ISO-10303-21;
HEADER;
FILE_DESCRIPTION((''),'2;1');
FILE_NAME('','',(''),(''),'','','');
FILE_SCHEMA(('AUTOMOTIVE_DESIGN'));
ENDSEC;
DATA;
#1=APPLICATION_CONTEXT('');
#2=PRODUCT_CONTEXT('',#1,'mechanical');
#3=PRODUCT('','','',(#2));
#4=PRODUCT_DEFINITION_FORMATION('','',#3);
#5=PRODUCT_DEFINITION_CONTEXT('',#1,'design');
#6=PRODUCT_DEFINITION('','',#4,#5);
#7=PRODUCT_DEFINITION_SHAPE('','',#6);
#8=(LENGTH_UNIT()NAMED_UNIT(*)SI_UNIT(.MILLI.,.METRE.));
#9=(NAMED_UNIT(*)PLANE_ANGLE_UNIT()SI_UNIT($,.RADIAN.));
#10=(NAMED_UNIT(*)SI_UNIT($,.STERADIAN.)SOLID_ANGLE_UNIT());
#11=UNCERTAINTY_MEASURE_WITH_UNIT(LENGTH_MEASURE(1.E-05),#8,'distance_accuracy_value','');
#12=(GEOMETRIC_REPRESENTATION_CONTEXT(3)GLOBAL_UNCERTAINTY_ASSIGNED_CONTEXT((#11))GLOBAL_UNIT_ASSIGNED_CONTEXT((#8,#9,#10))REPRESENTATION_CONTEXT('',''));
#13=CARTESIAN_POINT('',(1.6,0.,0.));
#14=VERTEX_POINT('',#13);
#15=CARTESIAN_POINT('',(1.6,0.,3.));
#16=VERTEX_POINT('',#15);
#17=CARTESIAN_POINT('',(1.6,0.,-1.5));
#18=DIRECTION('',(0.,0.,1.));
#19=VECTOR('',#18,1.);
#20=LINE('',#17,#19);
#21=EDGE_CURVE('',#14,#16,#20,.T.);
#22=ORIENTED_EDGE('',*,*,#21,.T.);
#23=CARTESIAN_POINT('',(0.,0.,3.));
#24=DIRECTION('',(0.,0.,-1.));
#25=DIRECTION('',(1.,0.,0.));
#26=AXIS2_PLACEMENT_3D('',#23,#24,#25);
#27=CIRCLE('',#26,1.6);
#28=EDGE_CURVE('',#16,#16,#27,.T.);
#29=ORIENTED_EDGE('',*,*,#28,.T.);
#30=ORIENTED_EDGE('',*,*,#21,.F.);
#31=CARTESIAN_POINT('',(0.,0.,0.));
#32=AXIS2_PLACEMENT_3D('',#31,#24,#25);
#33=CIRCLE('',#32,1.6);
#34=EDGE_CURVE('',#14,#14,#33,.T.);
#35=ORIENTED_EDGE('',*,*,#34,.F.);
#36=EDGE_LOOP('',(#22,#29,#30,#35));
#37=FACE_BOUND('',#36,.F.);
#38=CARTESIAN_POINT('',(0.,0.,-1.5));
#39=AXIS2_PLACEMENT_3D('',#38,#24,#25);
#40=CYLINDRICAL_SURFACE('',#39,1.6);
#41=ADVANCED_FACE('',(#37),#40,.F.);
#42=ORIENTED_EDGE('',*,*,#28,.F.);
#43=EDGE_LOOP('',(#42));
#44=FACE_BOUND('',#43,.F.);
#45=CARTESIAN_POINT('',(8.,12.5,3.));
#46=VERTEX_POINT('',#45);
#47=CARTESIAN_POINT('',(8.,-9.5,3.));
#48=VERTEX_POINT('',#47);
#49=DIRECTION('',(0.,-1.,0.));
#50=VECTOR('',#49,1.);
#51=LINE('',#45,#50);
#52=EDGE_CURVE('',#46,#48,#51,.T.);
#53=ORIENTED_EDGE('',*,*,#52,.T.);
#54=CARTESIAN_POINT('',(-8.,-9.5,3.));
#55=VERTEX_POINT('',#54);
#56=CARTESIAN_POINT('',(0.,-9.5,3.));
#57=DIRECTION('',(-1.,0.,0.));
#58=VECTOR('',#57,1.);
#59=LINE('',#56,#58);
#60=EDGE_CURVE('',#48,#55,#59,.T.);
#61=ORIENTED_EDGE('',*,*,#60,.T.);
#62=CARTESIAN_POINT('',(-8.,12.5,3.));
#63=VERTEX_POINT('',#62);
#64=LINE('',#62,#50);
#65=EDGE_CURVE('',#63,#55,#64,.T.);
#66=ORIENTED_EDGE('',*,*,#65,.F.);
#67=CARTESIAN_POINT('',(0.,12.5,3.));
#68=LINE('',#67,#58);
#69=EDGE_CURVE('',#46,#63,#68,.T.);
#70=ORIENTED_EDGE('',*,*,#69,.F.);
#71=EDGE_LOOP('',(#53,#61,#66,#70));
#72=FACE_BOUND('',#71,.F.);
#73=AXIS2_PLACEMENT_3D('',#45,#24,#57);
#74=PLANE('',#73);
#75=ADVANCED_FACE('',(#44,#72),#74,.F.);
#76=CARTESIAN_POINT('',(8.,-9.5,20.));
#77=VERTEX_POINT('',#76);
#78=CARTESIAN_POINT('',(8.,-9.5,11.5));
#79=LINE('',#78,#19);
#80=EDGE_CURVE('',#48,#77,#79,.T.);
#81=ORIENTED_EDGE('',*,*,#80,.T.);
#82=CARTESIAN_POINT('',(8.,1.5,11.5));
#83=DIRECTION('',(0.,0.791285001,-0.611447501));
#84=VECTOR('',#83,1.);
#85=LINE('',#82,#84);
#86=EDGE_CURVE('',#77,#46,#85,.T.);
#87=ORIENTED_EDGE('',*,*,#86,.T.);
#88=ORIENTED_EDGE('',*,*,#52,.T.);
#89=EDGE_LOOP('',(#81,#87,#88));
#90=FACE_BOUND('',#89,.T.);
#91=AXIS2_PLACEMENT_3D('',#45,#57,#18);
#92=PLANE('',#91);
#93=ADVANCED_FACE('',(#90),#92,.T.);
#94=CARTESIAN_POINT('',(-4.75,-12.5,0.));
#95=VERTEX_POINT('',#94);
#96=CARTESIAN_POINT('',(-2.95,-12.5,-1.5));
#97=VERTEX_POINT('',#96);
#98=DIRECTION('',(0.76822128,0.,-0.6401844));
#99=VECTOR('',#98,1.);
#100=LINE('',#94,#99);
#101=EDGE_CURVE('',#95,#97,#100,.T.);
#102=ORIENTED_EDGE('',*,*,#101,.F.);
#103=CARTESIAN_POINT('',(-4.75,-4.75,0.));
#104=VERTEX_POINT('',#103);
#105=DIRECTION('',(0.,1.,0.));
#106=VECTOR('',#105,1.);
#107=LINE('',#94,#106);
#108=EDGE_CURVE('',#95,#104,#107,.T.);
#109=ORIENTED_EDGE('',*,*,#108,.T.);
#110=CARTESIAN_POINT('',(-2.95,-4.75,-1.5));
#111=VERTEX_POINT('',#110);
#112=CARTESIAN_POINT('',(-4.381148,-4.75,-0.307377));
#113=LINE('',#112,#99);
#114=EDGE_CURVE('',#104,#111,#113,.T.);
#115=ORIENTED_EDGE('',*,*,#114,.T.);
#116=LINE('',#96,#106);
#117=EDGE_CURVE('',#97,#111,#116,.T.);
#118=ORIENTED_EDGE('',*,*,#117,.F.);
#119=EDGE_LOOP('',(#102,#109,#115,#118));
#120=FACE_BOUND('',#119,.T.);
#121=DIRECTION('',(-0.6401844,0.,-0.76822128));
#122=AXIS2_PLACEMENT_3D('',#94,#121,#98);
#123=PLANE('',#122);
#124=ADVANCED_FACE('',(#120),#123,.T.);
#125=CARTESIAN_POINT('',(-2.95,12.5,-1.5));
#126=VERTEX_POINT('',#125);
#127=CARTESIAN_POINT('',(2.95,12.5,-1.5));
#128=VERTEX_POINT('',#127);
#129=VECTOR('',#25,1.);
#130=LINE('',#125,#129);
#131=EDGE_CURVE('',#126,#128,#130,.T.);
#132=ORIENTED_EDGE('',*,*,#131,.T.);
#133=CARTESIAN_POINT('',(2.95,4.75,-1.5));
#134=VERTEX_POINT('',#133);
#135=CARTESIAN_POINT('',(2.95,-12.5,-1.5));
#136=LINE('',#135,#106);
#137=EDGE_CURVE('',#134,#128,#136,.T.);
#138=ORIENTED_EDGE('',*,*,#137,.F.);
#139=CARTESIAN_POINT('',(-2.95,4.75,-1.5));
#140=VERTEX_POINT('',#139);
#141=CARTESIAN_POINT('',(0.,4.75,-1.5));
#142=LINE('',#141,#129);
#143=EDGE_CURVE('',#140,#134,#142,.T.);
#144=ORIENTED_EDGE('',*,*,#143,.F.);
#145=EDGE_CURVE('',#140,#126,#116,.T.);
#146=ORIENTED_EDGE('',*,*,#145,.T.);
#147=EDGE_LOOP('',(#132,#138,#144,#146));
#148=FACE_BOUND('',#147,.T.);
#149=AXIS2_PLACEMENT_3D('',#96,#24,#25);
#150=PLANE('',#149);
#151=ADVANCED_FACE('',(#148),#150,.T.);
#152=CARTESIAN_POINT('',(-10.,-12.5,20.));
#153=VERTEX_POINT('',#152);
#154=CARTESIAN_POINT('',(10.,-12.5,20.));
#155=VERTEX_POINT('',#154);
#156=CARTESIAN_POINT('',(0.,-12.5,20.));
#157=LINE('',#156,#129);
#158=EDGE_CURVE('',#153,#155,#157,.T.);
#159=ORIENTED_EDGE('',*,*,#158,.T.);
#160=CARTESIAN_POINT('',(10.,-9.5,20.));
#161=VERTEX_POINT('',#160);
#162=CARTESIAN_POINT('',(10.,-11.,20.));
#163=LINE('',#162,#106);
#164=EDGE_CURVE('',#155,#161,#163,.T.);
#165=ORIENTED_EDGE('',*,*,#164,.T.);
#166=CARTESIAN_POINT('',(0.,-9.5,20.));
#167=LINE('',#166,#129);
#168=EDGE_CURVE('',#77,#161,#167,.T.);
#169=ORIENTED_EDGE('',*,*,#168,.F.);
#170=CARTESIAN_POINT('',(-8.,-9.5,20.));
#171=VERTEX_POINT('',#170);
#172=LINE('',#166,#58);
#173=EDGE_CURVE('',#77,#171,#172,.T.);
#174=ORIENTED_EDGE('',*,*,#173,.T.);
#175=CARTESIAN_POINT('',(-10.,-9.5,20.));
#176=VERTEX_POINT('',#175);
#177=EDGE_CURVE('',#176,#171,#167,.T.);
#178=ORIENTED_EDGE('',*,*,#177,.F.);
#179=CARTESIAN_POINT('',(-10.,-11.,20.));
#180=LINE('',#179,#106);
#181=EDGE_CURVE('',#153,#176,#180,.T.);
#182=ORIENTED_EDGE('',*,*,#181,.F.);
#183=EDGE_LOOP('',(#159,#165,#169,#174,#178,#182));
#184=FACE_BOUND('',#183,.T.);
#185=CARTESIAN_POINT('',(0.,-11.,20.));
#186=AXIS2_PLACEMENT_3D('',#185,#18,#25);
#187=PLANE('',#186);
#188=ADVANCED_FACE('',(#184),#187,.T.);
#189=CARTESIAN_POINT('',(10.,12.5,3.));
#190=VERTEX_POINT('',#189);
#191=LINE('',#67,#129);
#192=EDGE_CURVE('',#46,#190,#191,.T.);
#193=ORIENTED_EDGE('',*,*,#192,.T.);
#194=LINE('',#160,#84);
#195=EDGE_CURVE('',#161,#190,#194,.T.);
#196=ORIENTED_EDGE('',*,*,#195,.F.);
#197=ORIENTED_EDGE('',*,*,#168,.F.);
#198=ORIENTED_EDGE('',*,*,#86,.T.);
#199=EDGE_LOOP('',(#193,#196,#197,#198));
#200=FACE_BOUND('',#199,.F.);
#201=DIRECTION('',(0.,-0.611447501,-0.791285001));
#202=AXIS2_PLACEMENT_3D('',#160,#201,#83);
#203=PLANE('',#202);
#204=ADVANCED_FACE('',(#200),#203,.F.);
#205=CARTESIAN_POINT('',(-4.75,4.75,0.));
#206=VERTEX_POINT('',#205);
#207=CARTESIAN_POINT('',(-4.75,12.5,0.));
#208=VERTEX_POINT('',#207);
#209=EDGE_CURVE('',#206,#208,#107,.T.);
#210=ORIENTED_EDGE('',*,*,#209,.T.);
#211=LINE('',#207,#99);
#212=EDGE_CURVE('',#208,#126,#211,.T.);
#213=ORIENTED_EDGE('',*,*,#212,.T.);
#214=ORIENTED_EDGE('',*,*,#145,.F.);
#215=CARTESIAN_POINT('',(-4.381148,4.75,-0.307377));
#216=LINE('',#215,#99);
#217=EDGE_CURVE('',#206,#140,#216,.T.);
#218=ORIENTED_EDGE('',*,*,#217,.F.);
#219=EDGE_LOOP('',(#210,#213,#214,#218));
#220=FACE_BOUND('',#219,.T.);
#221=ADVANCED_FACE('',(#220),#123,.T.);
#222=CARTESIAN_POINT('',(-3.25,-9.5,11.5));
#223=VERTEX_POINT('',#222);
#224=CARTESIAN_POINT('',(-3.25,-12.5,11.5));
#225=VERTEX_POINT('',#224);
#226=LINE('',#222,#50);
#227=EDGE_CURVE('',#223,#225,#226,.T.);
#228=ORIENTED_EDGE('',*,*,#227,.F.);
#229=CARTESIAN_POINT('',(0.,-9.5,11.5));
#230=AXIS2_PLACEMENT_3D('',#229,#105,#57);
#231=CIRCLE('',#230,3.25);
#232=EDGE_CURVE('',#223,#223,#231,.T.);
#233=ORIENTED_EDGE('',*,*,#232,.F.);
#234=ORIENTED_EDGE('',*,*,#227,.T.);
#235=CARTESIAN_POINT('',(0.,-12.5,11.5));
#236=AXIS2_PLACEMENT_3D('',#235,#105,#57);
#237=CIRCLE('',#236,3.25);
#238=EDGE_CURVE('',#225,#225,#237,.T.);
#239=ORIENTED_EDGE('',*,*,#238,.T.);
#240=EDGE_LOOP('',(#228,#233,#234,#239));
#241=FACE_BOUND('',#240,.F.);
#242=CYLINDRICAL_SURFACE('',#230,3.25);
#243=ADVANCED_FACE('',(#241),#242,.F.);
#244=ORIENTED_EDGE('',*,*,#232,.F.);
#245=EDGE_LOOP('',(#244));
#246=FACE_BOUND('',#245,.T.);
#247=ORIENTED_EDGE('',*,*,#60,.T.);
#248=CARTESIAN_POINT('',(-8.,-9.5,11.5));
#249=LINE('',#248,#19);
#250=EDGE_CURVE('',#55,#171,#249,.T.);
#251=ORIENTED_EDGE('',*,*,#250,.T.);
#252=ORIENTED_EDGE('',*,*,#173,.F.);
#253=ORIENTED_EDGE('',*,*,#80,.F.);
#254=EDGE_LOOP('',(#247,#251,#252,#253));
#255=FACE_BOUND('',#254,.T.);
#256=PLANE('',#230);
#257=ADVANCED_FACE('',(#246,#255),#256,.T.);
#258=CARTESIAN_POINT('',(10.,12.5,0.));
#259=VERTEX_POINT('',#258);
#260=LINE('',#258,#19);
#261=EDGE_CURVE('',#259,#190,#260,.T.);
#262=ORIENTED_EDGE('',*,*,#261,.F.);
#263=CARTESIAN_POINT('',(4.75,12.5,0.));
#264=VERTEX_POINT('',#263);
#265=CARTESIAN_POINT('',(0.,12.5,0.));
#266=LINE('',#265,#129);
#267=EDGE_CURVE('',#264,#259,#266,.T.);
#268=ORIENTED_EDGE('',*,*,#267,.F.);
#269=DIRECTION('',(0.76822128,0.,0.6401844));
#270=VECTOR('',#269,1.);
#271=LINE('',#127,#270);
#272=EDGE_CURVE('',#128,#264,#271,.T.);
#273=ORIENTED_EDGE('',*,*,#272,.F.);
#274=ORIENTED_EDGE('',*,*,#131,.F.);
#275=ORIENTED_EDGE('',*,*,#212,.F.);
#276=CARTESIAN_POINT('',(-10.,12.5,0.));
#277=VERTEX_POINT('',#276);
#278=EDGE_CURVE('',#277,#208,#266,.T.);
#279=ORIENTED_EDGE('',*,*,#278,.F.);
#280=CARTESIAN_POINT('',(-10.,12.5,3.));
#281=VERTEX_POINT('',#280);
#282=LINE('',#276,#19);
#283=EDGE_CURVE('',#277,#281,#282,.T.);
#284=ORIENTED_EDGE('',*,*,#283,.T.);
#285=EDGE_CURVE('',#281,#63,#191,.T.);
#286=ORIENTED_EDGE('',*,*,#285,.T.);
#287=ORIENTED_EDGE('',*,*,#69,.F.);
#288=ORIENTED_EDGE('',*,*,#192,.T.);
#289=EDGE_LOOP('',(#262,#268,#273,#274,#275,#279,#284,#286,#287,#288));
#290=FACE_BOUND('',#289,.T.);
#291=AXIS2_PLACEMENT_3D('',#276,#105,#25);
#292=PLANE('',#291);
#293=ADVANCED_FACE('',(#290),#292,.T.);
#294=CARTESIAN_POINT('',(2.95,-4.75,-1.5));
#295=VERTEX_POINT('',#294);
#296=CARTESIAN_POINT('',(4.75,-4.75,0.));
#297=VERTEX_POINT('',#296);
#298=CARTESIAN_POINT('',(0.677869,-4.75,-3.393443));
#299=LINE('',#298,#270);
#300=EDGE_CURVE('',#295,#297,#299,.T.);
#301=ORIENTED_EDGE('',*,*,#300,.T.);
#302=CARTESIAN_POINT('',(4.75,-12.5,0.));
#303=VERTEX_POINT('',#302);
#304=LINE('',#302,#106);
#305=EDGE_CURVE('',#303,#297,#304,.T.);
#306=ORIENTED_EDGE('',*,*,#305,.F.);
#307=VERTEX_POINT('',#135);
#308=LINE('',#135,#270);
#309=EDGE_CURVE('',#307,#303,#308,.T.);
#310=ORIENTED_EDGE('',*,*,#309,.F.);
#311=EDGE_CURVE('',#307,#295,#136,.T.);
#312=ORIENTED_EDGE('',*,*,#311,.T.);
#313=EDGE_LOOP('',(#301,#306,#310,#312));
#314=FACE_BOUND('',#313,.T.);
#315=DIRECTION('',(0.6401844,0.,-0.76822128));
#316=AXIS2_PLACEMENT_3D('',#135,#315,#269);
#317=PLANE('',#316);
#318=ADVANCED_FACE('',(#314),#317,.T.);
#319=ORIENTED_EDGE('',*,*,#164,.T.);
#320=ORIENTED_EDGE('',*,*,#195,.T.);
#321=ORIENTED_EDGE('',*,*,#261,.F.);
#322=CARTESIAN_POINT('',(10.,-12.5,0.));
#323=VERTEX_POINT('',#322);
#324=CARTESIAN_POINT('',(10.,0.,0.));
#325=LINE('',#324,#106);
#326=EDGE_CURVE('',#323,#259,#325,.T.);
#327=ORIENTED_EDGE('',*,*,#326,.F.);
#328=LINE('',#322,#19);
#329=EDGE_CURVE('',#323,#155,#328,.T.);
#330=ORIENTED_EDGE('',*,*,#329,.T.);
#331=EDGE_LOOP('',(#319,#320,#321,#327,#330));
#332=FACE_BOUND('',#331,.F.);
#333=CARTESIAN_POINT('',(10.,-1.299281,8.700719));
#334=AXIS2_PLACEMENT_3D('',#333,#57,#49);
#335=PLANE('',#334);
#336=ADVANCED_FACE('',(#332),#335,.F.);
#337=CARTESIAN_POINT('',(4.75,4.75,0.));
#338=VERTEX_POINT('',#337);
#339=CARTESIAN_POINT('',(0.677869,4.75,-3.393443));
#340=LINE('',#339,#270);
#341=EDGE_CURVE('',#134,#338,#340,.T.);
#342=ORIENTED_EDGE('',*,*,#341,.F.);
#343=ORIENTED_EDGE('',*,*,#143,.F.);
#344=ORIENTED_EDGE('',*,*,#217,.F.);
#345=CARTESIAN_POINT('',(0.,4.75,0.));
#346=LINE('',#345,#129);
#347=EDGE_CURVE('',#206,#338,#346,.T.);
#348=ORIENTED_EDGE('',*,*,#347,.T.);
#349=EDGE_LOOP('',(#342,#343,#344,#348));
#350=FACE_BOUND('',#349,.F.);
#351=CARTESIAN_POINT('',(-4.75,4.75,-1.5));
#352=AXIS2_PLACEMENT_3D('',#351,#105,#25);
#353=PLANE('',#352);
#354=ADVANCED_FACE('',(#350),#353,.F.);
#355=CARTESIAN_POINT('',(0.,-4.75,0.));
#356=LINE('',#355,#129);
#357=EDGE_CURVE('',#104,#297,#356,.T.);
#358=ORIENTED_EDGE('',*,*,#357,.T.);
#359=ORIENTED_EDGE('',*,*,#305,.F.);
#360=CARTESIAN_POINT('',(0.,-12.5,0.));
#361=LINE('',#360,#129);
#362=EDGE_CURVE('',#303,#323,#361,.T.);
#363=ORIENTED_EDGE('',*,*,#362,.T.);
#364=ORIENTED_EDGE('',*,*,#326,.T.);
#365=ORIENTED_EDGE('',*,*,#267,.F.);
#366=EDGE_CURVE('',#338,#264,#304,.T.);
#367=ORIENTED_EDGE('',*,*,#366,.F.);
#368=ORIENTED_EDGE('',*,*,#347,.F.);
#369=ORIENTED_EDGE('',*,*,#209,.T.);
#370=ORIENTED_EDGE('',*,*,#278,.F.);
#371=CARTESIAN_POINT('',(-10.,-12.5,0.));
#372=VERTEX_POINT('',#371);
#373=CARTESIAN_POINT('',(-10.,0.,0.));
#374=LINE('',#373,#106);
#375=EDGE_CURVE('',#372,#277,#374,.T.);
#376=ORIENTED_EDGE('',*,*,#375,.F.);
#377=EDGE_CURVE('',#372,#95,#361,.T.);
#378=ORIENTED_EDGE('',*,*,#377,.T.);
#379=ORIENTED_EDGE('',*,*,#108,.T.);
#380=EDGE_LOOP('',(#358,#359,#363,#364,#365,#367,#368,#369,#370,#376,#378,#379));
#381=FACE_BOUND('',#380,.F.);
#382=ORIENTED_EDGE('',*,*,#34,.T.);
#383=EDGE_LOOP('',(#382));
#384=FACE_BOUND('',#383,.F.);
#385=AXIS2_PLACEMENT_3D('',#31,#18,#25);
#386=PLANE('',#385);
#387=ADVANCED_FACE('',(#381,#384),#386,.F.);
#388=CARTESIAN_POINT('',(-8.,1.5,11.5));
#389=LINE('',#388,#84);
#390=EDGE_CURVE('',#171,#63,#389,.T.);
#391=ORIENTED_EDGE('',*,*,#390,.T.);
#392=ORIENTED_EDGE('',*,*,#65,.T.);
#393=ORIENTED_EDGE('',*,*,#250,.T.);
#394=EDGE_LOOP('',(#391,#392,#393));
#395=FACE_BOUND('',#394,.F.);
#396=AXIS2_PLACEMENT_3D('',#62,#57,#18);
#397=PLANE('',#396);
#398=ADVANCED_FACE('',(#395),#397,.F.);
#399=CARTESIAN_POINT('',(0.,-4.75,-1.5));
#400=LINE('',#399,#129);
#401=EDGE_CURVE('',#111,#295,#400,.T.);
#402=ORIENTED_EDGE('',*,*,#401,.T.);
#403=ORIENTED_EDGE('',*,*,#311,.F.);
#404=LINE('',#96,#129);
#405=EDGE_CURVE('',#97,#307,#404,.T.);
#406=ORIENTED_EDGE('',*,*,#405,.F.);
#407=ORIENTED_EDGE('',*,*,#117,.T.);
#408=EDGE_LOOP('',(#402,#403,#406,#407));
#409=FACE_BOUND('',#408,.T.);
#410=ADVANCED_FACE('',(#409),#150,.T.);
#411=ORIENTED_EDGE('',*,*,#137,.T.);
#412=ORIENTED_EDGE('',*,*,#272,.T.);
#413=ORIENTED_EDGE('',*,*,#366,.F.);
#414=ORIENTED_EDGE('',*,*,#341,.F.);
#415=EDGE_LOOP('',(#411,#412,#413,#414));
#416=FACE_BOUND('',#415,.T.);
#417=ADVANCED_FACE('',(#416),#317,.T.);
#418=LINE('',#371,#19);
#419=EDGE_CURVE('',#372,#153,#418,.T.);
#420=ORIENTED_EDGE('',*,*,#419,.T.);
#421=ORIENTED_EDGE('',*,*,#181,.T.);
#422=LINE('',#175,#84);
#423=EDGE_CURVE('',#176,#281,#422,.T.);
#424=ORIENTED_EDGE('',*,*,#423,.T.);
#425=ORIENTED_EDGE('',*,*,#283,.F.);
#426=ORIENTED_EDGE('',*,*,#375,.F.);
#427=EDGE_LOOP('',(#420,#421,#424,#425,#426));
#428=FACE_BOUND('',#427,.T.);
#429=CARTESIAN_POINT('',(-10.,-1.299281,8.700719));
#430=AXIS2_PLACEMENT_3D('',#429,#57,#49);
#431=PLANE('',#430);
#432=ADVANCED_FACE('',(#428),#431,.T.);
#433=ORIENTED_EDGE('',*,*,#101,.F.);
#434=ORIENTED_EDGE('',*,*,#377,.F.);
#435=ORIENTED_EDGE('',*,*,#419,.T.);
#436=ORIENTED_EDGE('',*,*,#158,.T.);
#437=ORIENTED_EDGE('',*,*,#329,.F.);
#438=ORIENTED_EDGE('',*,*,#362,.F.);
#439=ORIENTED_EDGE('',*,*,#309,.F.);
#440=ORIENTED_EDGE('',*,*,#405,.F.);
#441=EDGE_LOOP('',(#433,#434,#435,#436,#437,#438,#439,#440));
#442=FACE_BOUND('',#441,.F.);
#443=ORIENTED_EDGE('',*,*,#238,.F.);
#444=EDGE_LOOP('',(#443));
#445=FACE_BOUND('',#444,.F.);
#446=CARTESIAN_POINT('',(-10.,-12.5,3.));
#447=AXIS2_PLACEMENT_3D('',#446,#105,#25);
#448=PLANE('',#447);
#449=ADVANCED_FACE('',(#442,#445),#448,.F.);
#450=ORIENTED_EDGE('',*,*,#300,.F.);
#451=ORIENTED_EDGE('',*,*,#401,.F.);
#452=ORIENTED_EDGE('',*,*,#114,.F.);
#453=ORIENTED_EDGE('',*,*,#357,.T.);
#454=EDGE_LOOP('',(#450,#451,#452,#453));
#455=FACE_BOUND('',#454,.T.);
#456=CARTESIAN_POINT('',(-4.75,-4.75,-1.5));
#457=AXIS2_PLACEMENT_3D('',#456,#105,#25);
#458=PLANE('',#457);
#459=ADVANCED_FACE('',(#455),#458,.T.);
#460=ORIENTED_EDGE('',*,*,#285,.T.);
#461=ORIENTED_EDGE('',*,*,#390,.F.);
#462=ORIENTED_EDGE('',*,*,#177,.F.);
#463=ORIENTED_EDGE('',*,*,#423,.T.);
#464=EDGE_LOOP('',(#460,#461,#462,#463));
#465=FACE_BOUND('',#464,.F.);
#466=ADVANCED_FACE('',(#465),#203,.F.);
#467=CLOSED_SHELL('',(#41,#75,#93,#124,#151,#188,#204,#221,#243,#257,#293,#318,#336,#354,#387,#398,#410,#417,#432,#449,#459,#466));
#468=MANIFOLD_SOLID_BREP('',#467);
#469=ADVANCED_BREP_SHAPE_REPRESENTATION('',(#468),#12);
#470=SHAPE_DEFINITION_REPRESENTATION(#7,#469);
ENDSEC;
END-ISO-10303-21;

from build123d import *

# Parameters (mm, degrees)
SKETCH_W        = 20
SKETCH_H        = 25
PAD_DEPTH       = 3
SKETCH001_W     = 20
SKETCH001_H     = 3
PAD001_DEPTH    = 17
PAD002_DEPTH    = 25
SKETCH003_R     = 1.6
POCKET_DEPTH    = 21.501
SKETCH004_W     = 9.5
SKETCH004_H     = 9.5
POCKET001_DEPTH = 1.5
PAD003_DEPTH    = 20
SKETCH006_W     = 16
SKETCH006_H     = 17
POCKET002_DEPTH = 22
SKETCH007_R     = 3.25
POCKET003_DEPTH = 3.001


with BuildPart() as part:
    # Sketch → Pad (new body)
    with BuildSketch(Plane.XY):
        Rectangle(SKETCH_W, SKETCH_H)
    extrude(amount=PAD_DEPTH)

    # Sketch001 (on Face6 of Pad) → Pad001 (join)
    with BuildSketch(Plane.XY.offset(3)):
        with Locations((0, -11)):
            Rectangle(SKETCH001_W, SKETCH001_H)
    extrude(amount=PAD001_DEPTH)

    # Sketch002 (on Face6 of Pad001) → Pad002 (join)
    with BuildSketch(Plane.XZ.offset(12.5)):
        Polygon((4.75, 0), (-4.75, 0), (-2.95, -1.5), (2.95, -1.5), align=None)
    extrude(amount=-PAD002_DEPTH)

    # Sketch003 (on Face12 of Pad002) → Pocket (cut, through all)
    with BuildSketch(Plane(origin=(0, 0, -1.5), x_dir=(1, 0, 0), z_dir=(0, 0, -1))):
        Circle(SKETCH003_R)
    extrude(amount=-POCKET_DEPTH, mode=Mode.SUBTRACT)

    # Sketch004 (on Face12 of Pocket) → Pocket001 (cut)
    with BuildSketch(Plane(origin=(0, 0, -1.5), x_dir=(1, 0, 0), z_dir=(0, 0, -1))):
        Rectangle(SKETCH004_W, SKETCH004_H)
    extrude(amount=-POCKET001_DEPTH, mode=Mode.SUBTRACT)

    # Sketch005 (on Face3 of Pocket001) → Pad003 (join)
    with BuildSketch(Plane.YZ.offset(10)):
        Polygon((-9.5, 3), (-9.5, 20), (12.5, 3), align=None)
    extrude(amount=-PAD003_DEPTH)

    # Sketch006 (on Face1 of Pad003) → Pocket002 (cut)
    with BuildSketch(Plane(origin=(0, 12.5, 0), x_dir=(-1, 0, 0), z_dir=(0, 1, 0))):
        with Locations((0, 11.5)):
            Rectangle(SKETCH006_W, SKETCH006_H)
    extrude(amount=-POCKET002_DEPTH, mode=Mode.SUBTRACT)

    # Sketch007 (on Face23 of Pocket002) → Pocket003 (cut, through all)
    with BuildSketch(Plane(origin=(0, -9.5, 0), x_dir=(-1, 0, 0), z_dir=(0, 1, 0))):
        with Locations((0, 11.5)):
            Circle(SKETCH007_R)
    extrude(amount=-POCKET003_DEPTH, mode=Mode.SUBTRACT)


solid = part.part
